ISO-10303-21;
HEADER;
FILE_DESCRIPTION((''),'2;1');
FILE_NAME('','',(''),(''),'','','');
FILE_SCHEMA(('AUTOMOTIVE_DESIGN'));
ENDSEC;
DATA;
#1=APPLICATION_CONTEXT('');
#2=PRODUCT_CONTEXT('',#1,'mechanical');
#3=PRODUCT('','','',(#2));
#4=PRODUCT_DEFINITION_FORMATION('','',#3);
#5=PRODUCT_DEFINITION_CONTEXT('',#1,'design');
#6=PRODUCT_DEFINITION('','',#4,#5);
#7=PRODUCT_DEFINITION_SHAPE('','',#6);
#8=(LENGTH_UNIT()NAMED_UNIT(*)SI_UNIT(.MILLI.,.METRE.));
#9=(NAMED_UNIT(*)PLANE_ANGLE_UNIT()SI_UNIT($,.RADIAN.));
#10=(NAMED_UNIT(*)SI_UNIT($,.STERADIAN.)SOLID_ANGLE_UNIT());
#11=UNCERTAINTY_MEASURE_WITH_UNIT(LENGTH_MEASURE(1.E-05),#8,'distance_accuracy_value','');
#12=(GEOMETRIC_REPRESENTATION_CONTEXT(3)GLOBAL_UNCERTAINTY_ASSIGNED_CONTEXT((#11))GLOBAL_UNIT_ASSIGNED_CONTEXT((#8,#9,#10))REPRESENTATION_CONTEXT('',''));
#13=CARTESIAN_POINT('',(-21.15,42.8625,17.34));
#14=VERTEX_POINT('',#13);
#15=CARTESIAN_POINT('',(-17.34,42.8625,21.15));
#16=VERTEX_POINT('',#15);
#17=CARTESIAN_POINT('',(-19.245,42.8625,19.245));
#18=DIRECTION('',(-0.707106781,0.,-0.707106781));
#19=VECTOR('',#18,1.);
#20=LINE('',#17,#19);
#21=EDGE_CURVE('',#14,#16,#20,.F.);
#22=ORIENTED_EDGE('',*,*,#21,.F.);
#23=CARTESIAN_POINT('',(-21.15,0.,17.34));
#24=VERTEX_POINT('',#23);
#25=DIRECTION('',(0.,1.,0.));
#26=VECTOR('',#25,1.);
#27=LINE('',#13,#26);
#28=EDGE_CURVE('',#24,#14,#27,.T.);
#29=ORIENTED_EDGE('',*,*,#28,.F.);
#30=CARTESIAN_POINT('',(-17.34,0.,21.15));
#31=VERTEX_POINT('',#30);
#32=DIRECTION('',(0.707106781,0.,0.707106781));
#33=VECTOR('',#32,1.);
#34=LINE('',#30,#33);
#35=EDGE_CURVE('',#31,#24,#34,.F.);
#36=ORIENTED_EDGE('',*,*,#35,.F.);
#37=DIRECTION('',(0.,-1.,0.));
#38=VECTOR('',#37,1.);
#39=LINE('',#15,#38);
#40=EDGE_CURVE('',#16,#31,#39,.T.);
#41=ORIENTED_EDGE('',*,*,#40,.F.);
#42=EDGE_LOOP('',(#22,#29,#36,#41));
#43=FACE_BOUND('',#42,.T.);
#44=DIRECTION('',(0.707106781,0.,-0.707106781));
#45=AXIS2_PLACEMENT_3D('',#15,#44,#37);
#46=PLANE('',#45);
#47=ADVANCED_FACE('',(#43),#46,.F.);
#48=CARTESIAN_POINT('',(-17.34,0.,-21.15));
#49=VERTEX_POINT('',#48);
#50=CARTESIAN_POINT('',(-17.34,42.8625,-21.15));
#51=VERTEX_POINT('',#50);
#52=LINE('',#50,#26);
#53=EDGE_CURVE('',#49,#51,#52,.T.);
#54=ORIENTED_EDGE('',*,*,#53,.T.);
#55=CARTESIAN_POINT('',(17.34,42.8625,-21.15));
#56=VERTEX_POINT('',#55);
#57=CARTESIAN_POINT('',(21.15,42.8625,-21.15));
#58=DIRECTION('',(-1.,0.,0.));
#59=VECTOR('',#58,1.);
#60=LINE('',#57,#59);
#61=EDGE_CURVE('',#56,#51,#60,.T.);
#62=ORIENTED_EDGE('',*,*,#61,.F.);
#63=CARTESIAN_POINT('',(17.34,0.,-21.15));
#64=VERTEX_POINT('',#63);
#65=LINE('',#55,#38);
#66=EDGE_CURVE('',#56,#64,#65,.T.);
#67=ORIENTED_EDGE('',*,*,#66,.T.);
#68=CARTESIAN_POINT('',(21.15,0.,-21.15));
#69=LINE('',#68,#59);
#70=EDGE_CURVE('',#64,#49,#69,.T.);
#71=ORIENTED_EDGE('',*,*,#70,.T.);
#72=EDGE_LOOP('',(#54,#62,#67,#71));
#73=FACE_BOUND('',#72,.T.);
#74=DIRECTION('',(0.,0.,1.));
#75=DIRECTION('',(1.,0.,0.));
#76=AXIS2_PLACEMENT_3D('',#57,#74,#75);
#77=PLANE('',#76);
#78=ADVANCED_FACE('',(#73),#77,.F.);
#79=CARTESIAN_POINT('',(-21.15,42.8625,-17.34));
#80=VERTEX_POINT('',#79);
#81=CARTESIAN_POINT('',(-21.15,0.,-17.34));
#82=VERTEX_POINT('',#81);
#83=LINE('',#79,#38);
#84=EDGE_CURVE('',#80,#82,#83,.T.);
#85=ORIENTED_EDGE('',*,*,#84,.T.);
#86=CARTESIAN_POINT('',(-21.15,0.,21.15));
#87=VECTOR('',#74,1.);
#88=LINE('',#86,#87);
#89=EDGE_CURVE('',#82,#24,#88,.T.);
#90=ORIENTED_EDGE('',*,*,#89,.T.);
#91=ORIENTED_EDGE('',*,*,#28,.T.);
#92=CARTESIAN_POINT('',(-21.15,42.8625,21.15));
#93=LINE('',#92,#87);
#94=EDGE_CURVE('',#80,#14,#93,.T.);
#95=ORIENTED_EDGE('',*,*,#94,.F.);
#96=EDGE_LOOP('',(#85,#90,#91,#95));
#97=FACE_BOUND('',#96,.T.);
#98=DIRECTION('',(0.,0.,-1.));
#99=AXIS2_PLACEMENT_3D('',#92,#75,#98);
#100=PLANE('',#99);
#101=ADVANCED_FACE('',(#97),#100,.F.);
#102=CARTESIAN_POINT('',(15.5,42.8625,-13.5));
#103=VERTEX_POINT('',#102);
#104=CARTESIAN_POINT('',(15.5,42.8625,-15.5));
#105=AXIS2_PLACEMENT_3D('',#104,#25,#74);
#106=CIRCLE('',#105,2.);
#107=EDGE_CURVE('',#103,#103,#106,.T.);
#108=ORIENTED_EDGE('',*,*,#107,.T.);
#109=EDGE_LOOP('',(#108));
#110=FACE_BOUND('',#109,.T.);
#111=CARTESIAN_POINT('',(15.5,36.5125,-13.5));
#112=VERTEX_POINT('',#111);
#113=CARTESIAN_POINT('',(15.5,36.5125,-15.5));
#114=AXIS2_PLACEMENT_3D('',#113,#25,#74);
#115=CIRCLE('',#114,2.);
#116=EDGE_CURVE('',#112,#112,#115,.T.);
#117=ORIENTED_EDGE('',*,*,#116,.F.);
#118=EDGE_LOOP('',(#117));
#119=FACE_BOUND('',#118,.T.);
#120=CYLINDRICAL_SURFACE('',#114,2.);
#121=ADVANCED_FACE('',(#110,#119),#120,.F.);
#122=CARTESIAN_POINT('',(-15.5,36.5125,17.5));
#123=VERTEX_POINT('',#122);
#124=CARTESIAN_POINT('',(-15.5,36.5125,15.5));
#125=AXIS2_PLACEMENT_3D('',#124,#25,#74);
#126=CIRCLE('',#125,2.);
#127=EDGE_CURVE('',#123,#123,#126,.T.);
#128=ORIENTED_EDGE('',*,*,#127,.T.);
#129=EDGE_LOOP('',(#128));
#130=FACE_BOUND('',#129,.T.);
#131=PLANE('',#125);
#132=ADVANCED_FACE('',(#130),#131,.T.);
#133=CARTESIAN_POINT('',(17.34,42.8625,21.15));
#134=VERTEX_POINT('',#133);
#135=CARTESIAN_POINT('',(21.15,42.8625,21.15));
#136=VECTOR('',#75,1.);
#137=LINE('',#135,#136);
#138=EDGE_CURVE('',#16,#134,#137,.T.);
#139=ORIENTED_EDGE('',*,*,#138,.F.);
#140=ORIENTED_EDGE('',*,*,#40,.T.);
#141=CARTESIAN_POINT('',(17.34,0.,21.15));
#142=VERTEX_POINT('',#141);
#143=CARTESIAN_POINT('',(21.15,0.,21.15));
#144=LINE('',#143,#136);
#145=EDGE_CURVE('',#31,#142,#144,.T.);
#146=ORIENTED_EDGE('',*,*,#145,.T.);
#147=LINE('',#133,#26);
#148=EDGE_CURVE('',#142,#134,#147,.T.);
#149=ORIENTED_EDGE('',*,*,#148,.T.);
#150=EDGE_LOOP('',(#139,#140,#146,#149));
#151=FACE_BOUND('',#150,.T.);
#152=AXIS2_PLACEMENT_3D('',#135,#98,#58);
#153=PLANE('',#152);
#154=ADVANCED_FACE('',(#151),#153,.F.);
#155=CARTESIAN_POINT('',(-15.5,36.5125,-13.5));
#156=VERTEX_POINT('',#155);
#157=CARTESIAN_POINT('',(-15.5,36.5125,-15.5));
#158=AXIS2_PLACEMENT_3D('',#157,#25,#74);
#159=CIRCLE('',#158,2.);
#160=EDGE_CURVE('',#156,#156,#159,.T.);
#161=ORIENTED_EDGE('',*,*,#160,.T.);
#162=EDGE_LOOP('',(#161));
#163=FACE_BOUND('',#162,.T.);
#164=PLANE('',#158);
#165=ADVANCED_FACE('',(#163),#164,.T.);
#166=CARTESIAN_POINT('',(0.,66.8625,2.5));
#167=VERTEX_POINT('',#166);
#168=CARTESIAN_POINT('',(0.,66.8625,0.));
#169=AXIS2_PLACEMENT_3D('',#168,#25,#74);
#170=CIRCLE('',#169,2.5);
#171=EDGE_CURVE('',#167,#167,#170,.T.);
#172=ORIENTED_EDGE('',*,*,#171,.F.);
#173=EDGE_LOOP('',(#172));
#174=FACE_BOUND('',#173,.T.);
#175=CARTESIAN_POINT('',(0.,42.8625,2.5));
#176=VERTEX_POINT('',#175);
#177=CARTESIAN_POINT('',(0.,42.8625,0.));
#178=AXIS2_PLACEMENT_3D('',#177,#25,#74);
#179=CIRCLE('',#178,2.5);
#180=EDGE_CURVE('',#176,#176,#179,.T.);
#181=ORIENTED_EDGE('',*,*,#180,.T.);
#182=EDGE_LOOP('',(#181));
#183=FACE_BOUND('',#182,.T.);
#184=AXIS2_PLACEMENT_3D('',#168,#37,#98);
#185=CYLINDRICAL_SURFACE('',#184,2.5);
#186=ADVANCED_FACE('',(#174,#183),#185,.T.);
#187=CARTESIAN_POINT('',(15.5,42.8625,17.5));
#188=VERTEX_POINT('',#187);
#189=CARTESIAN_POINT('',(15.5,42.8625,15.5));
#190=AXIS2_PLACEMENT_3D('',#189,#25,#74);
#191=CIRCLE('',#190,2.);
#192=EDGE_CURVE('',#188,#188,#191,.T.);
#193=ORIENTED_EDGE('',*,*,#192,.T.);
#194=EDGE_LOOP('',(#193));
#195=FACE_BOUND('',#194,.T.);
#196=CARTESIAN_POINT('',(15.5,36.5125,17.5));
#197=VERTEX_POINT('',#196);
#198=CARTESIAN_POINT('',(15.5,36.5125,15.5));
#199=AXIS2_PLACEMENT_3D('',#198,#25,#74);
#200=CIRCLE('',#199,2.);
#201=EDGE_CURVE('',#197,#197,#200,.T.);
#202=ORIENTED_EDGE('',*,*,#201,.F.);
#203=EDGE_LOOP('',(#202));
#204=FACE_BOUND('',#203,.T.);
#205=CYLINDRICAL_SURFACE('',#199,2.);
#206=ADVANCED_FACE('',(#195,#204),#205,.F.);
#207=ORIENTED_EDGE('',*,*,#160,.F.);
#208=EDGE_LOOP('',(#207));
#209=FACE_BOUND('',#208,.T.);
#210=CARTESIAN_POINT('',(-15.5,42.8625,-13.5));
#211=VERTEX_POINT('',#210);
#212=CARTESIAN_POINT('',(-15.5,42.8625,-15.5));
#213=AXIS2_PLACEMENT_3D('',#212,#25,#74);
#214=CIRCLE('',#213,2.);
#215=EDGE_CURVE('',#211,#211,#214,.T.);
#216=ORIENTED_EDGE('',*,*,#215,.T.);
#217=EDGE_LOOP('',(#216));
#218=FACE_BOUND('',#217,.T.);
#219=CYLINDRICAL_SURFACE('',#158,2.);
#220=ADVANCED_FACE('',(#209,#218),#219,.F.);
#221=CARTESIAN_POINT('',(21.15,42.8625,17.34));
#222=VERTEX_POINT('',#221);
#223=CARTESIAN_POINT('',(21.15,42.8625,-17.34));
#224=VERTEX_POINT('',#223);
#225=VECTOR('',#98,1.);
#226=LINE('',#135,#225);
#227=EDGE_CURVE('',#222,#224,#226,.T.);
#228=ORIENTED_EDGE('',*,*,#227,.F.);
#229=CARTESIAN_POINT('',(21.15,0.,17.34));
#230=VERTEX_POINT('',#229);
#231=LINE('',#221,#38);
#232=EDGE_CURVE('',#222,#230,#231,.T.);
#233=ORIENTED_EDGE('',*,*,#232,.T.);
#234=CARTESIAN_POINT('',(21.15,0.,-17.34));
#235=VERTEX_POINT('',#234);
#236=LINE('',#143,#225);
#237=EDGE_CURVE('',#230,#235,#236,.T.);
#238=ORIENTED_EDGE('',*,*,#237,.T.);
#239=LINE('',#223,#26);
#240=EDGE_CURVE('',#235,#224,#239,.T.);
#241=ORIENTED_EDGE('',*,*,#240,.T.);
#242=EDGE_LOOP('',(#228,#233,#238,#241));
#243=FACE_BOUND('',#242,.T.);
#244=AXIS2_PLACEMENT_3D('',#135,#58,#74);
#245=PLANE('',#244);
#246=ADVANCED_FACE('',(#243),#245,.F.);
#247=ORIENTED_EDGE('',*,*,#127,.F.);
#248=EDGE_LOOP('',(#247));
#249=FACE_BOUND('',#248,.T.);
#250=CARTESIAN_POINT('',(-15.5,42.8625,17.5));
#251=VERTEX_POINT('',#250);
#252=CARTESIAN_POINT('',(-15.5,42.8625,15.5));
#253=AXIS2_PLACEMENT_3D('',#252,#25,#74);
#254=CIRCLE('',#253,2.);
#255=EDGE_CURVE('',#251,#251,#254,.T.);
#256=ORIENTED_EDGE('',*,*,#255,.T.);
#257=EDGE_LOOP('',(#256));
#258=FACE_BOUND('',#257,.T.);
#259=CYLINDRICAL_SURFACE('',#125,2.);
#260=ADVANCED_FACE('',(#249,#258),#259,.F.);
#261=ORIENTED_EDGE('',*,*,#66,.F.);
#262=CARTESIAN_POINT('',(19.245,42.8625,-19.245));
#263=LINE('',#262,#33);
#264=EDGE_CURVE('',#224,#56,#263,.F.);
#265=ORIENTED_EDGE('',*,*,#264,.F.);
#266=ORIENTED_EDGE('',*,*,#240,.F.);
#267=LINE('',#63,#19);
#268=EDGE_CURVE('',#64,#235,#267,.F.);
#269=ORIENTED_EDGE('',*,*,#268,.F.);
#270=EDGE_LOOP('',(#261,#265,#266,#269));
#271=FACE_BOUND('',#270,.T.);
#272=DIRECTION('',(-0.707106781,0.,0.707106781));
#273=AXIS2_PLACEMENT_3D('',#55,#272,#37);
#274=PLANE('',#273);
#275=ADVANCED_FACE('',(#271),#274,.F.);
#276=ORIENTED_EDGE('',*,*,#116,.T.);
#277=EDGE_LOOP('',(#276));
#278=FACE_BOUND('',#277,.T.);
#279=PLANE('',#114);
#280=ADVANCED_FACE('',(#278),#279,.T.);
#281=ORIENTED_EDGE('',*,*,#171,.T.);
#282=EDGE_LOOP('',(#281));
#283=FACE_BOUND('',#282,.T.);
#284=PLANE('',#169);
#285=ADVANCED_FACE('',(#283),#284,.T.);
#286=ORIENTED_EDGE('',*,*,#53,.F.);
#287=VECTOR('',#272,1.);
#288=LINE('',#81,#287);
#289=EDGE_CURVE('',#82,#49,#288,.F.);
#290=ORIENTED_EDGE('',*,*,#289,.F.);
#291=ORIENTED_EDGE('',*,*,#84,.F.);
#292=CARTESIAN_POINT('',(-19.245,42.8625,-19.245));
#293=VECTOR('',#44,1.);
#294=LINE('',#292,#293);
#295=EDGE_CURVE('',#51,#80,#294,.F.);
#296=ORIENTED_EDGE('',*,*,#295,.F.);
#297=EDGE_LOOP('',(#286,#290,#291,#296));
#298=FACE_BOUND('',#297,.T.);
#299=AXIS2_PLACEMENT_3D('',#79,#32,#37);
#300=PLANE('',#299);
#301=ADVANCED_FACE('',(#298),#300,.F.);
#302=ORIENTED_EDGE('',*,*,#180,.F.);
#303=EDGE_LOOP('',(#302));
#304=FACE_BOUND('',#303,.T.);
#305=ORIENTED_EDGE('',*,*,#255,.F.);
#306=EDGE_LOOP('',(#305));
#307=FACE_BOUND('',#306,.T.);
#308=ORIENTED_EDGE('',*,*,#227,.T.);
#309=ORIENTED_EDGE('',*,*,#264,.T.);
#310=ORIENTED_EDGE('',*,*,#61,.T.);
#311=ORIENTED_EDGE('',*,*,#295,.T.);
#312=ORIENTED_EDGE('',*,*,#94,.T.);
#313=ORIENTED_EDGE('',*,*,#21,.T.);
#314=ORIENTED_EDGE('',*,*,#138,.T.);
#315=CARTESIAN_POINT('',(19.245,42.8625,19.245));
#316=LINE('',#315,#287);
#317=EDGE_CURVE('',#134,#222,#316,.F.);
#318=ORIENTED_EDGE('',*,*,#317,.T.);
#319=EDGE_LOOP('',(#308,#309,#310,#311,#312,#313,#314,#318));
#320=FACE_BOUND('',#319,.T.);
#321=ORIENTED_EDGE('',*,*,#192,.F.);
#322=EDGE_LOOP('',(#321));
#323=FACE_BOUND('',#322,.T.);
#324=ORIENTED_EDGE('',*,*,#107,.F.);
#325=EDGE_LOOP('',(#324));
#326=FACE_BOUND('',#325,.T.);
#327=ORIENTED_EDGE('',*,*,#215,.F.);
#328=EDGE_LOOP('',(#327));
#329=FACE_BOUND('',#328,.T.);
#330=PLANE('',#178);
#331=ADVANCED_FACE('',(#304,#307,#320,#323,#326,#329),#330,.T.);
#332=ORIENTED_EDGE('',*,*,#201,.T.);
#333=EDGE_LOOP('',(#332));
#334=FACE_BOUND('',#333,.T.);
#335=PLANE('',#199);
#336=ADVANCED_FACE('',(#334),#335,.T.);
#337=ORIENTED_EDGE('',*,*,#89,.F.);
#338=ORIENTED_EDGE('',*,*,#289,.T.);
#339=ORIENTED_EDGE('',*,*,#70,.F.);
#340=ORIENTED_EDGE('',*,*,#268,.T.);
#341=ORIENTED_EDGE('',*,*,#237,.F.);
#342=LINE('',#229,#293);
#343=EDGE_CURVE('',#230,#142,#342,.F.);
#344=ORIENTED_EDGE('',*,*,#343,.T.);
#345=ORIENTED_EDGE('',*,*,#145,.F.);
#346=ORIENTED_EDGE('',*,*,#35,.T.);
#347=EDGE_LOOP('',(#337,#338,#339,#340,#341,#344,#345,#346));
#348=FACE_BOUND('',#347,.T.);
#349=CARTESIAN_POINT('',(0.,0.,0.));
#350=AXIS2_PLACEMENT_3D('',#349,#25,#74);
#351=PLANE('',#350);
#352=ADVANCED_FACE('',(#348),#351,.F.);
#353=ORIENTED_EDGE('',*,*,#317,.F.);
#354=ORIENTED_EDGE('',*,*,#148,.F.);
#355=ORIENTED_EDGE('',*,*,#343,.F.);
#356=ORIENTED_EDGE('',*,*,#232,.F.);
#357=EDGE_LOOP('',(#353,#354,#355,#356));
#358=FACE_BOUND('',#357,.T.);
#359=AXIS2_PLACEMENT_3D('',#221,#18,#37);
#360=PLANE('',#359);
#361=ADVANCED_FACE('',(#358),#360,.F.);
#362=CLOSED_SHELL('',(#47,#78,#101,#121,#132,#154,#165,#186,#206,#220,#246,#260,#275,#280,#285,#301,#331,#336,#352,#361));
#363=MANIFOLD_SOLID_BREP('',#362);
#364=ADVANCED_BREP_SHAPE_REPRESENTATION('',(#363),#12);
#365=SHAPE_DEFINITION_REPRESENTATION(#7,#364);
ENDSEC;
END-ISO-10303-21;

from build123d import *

# Parameters (mm, degrees)
SKETCH1_W           = 42.299999982
SKETCH1_H           = 42.299999982
BOSS_EXTRUDE1_DEPTH = 42.8625
SKETCH2_R           = 2
CUT_EXTRUDE1_DEPTH  = 6.35
CHAMFER1_SIZE       = 3.81
SKETCH3_R           = 2.5
BOSS_EXTRUDE2_DEPTH = 24


with BuildPart() as part:
    # Sketch1 → Boss-Extrude1 (new body)
    with BuildSketch(Plane(origin=(0, 0, 0), x_dir=(1, 0, 0), z_dir=(0, 1, 0))):
        Rectangle(SKETCH1_W, SKETCH1_H)
    extrude(amount=BOSS_EXTRUDE1_DEPTH)

    # Sketch2 → Cut-Extrude1 (cut)
    with BuildSketch(Plane(origin=(0, 42.8625, 0), x_dir=(1, 0, 0), z_dir=(0, 1, 0))):
        with Locations((-15.499999988, -15.499999988)):
            Circle(SKETCH2_R)
        with Locations((-15.499999988, 15.499999988)):
            Circle(SKETCH2_R)
        with Locations((15.499999988, 15.499999988)):
            Circle(SKETCH2_R)
        with Locations((15.499999988, -15.499999988)):
            Circle(SKETCH2_R)
    extrude(amount=-CUT_EXTRUDE1_DEPTH, mode=Mode.SUBTRACT)

    # Chamfer1
    chamfer1_edges = [part.edges().sort_by_distance(p)[0] for p in [
        (-21.149999991, 21.43125, -21.149999991),
        (21.149999991, 21.43125, -21.149999991),
        (21.149999991, 21.43125, 21.149999991),
        (-21.149999991, 21.43125, 21.149999991),
    ]]
    chamfer(chamfer1_edges, length=CHAMFER1_SIZE)

    # Sketch3 → Boss-Extrude2 (add)
    with BuildSketch(Plane(origin=(0, 42.8625, 0), x_dir=(1, 0, 0), z_dir=(0, 1, 0))):
        Circle(SKETCH3_R)
    extrude(amount=BOSS_EXTRUDE2_DEPTH)


solid = part.part
